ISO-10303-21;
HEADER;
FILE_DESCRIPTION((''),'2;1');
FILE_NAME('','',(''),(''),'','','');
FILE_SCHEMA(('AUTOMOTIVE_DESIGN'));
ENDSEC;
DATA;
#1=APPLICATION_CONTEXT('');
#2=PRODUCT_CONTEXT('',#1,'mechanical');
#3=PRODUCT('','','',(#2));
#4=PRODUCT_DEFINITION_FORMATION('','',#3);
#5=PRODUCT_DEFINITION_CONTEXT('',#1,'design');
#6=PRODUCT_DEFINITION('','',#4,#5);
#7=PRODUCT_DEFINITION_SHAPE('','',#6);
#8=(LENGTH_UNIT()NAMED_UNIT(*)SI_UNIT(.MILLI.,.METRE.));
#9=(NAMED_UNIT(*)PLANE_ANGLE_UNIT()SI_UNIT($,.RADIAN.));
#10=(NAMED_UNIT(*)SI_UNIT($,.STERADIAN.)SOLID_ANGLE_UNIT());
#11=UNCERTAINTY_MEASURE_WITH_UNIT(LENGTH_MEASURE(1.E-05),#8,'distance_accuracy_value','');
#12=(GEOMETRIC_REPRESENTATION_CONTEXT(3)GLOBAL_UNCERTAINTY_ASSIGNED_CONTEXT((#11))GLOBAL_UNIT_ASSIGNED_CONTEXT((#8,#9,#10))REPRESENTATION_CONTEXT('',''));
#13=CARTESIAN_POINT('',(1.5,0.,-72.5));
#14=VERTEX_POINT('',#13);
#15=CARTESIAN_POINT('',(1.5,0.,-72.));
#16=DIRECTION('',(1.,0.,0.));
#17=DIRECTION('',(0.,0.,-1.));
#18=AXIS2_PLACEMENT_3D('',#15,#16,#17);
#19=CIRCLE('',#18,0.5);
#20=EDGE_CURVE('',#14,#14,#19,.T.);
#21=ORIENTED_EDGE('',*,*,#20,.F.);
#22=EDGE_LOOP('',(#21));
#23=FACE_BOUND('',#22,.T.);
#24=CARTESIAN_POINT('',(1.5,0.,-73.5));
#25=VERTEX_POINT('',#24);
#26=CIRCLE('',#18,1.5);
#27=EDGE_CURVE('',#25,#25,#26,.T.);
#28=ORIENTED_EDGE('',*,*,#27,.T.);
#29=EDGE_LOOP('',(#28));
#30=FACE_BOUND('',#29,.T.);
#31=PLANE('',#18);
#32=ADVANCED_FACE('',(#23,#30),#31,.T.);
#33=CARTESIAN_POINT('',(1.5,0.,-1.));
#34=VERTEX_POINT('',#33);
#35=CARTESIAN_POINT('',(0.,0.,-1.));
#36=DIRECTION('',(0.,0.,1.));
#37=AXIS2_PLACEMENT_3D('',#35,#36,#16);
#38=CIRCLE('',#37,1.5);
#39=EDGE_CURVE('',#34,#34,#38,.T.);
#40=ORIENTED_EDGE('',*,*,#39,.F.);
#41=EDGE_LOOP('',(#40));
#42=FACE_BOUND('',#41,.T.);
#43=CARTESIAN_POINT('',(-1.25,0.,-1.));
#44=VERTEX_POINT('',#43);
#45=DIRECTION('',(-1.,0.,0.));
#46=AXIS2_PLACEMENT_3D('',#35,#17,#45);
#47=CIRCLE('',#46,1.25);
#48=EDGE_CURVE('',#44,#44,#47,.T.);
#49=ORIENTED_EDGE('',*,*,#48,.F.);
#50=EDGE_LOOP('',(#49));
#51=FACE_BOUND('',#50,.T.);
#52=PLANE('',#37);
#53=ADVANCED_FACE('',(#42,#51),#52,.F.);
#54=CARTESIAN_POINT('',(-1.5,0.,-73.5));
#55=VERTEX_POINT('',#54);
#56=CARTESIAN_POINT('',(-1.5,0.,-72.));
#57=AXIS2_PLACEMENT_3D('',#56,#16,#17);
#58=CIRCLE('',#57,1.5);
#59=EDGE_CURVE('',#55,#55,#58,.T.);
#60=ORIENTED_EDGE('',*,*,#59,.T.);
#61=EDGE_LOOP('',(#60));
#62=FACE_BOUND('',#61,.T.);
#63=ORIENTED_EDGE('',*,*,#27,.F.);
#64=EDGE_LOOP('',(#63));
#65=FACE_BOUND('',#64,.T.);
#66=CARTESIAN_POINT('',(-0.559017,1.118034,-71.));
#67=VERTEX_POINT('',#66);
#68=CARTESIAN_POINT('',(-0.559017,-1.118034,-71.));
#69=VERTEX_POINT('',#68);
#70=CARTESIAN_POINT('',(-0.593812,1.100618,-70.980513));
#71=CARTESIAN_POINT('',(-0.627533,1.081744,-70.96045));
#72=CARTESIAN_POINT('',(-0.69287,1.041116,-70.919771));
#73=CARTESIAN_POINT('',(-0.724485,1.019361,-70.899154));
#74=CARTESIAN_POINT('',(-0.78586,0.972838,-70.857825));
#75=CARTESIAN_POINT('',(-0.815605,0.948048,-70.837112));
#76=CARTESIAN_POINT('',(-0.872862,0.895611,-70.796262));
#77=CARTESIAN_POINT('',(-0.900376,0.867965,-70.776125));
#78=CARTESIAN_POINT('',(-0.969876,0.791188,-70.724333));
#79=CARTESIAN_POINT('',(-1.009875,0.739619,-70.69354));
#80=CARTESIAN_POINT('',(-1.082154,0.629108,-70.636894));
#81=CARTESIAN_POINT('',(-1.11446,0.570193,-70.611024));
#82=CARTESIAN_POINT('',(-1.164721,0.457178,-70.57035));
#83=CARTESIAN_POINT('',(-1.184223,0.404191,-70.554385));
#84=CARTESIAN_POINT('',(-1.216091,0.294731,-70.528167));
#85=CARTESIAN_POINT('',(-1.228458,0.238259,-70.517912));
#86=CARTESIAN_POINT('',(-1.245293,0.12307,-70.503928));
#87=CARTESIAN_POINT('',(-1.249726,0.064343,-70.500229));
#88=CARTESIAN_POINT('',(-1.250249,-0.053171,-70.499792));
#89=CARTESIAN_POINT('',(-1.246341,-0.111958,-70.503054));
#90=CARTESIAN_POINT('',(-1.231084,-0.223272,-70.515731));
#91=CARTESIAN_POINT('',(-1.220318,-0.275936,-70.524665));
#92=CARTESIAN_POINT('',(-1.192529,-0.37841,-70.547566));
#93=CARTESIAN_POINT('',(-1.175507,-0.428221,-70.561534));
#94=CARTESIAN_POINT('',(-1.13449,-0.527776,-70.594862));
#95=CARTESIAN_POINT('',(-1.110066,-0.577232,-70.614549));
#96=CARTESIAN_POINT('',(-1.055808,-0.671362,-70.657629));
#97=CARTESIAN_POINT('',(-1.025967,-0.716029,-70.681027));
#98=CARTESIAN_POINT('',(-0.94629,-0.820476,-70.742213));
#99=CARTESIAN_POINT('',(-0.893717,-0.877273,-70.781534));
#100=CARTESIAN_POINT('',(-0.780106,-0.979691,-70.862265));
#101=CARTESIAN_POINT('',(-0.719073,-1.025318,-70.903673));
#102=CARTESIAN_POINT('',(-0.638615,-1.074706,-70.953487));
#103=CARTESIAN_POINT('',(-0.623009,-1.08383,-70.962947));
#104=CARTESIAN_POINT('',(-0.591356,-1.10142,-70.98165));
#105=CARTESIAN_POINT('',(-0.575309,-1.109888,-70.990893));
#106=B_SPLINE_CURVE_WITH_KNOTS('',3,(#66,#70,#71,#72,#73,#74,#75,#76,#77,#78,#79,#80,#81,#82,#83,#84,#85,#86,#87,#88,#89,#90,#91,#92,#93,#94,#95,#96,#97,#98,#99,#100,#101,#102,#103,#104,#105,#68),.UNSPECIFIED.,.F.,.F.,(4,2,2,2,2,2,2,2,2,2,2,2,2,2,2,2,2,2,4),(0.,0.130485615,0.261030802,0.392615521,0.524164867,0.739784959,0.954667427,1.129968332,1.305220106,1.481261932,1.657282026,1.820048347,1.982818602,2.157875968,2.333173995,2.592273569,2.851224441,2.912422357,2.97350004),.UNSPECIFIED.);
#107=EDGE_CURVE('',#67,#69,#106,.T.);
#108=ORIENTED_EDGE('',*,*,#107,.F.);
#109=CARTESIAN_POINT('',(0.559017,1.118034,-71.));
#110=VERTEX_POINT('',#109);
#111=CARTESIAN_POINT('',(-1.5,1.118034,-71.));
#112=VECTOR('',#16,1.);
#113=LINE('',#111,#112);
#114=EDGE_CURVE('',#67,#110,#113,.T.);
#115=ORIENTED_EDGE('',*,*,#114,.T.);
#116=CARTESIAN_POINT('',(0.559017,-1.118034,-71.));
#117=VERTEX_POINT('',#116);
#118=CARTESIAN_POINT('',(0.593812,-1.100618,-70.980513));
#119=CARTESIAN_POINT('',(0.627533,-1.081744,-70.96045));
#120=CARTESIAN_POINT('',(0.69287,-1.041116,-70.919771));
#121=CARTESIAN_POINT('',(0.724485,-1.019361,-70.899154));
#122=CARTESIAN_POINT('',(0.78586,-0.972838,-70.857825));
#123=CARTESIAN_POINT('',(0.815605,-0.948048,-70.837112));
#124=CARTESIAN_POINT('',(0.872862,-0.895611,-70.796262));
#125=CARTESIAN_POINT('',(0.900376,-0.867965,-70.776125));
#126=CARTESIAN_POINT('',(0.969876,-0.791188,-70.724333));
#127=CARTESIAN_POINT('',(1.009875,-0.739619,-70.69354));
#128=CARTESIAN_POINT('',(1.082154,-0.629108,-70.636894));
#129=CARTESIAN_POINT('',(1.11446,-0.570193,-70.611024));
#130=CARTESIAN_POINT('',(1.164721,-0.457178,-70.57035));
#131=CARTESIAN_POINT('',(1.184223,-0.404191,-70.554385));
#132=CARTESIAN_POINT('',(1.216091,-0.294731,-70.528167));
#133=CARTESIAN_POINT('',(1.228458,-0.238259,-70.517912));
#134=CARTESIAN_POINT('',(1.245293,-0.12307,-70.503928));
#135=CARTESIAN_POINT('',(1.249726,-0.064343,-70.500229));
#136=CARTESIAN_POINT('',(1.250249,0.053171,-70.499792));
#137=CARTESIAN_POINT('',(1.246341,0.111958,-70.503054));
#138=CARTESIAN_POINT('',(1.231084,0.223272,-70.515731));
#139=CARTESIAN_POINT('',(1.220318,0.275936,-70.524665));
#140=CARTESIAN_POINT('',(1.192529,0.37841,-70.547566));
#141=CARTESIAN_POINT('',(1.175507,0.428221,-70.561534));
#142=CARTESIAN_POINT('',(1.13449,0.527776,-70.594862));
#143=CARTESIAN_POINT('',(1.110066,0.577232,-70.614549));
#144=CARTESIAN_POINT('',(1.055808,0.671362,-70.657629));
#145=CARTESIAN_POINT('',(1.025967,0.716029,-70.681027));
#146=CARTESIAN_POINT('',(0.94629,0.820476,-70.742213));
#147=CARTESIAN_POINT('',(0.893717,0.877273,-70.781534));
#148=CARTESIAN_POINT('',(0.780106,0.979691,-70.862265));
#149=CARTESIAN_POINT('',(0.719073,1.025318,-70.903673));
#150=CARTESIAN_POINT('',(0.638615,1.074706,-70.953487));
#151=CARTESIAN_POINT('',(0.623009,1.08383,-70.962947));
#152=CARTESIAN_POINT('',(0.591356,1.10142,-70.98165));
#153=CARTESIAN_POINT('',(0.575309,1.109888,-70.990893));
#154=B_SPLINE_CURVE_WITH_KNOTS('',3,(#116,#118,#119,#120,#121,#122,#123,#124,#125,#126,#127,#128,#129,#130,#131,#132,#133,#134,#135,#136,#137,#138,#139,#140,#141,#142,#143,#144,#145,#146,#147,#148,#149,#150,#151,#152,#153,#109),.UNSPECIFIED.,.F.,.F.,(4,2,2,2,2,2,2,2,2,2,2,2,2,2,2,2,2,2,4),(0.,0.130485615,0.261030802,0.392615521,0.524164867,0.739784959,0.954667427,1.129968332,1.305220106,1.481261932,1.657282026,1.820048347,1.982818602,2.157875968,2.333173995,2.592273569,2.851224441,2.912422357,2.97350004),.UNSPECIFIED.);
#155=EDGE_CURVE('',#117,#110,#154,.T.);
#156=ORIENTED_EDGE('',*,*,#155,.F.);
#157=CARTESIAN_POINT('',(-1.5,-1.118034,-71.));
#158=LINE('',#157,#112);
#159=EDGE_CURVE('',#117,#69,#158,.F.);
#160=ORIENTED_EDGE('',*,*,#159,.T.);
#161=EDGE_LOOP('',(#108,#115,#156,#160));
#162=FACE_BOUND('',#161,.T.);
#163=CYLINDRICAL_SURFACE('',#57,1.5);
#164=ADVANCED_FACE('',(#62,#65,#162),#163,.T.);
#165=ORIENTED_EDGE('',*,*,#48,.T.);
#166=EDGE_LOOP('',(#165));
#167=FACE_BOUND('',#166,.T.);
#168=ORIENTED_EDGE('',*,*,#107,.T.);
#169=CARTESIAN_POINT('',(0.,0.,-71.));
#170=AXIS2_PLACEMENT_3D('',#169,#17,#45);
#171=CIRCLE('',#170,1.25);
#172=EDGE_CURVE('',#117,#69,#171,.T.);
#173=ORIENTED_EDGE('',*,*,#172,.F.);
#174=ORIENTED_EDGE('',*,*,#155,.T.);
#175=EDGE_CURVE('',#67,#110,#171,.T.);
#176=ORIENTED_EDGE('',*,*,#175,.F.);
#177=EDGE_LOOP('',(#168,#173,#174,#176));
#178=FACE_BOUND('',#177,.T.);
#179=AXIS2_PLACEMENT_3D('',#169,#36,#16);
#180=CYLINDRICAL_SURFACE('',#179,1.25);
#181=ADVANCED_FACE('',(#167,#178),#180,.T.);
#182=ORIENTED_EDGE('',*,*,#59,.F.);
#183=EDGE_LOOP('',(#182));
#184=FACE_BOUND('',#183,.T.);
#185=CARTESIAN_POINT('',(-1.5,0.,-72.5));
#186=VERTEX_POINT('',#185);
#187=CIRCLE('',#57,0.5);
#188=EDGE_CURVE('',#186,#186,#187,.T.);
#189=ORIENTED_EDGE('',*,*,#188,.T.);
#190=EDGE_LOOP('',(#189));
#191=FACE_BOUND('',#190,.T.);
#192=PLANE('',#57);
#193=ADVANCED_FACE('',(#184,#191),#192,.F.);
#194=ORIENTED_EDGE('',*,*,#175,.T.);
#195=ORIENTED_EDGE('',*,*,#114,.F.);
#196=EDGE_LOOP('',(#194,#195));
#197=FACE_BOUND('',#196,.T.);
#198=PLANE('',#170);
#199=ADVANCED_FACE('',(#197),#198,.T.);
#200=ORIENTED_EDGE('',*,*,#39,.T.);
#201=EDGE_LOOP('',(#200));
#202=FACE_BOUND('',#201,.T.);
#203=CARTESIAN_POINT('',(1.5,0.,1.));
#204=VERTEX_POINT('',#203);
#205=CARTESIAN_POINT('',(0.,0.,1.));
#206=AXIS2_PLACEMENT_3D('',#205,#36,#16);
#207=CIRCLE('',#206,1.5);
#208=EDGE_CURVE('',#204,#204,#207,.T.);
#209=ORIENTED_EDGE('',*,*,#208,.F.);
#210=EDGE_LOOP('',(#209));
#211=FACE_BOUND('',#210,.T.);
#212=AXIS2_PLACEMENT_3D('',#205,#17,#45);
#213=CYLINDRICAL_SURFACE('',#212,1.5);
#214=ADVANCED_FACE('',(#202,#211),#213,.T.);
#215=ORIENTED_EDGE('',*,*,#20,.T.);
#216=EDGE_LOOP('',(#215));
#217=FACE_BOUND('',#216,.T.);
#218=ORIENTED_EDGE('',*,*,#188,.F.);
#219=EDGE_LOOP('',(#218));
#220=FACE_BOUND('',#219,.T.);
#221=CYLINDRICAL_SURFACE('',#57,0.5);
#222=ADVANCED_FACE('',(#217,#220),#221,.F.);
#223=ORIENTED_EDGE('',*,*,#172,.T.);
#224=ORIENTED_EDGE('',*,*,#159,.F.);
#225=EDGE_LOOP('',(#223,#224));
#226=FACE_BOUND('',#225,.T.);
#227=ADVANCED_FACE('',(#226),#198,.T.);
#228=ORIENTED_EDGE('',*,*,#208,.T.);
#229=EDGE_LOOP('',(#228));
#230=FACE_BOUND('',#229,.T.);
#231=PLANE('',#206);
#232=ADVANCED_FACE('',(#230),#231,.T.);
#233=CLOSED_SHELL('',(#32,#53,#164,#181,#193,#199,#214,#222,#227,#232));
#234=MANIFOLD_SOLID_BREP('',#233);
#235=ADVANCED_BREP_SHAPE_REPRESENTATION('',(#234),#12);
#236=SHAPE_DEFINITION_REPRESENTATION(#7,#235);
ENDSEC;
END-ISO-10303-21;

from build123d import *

# Parameters (mm, degrees)
IZIM1_R                     = 1.5
Y_KSEKLIK_EKSTR_ZYON1_DEPTH = 1
IZIM2_R                     = 1.25
Y_KSEKLIK_EKSTR_ZYON2_DEPTH = 70
IZIM5_R                     = 1.5
IZIM5_R_2                   = 0.5
Y_KSEKLIK_EKSTR_ZYON5_DEPTH = 1.5


with BuildPart() as part:
    # Çizim1 → Yükseklik-Ekstrüzyon1 (new body, symmetric)
    with BuildSketch(Plane.XY):
        Circle(IZIM1_R)
    extrude(amount=Y_KSEKLIK_EKSTR_ZYON1_DEPTH, both=True)

    # Çizim2 → Yükseklik-Ekstrüzyon2 (add)
    with BuildSketch(Plane(origin=(0, 0, -1), x_dir=(-1, 0, 0), z_dir=(0, 0, -1))):
        Circle(IZIM2_R)
    extrude(amount=Y_KSEKLIK_EKSTR_ZYON2_DEPTH)

    # Çizim5 → Yükseklik-Ekstrüzyon5 (add, symmetric)
    with BuildSketch(Plane(origin=(0, 0, 0), x_dir=(0, 0, -1), z_dir=(1, 0, 0))):
        with Locations((72, 0)):
            Circle(IZIM5_R)
        with Locations((72, 0)):
            Circle(IZIM5_R_2, mode=Mode.SUBTRACT)
    extrude(amount=Y_KSEKLIK_EKSTR_ZYON5_DEPTH, both=True)


solid = part.part
